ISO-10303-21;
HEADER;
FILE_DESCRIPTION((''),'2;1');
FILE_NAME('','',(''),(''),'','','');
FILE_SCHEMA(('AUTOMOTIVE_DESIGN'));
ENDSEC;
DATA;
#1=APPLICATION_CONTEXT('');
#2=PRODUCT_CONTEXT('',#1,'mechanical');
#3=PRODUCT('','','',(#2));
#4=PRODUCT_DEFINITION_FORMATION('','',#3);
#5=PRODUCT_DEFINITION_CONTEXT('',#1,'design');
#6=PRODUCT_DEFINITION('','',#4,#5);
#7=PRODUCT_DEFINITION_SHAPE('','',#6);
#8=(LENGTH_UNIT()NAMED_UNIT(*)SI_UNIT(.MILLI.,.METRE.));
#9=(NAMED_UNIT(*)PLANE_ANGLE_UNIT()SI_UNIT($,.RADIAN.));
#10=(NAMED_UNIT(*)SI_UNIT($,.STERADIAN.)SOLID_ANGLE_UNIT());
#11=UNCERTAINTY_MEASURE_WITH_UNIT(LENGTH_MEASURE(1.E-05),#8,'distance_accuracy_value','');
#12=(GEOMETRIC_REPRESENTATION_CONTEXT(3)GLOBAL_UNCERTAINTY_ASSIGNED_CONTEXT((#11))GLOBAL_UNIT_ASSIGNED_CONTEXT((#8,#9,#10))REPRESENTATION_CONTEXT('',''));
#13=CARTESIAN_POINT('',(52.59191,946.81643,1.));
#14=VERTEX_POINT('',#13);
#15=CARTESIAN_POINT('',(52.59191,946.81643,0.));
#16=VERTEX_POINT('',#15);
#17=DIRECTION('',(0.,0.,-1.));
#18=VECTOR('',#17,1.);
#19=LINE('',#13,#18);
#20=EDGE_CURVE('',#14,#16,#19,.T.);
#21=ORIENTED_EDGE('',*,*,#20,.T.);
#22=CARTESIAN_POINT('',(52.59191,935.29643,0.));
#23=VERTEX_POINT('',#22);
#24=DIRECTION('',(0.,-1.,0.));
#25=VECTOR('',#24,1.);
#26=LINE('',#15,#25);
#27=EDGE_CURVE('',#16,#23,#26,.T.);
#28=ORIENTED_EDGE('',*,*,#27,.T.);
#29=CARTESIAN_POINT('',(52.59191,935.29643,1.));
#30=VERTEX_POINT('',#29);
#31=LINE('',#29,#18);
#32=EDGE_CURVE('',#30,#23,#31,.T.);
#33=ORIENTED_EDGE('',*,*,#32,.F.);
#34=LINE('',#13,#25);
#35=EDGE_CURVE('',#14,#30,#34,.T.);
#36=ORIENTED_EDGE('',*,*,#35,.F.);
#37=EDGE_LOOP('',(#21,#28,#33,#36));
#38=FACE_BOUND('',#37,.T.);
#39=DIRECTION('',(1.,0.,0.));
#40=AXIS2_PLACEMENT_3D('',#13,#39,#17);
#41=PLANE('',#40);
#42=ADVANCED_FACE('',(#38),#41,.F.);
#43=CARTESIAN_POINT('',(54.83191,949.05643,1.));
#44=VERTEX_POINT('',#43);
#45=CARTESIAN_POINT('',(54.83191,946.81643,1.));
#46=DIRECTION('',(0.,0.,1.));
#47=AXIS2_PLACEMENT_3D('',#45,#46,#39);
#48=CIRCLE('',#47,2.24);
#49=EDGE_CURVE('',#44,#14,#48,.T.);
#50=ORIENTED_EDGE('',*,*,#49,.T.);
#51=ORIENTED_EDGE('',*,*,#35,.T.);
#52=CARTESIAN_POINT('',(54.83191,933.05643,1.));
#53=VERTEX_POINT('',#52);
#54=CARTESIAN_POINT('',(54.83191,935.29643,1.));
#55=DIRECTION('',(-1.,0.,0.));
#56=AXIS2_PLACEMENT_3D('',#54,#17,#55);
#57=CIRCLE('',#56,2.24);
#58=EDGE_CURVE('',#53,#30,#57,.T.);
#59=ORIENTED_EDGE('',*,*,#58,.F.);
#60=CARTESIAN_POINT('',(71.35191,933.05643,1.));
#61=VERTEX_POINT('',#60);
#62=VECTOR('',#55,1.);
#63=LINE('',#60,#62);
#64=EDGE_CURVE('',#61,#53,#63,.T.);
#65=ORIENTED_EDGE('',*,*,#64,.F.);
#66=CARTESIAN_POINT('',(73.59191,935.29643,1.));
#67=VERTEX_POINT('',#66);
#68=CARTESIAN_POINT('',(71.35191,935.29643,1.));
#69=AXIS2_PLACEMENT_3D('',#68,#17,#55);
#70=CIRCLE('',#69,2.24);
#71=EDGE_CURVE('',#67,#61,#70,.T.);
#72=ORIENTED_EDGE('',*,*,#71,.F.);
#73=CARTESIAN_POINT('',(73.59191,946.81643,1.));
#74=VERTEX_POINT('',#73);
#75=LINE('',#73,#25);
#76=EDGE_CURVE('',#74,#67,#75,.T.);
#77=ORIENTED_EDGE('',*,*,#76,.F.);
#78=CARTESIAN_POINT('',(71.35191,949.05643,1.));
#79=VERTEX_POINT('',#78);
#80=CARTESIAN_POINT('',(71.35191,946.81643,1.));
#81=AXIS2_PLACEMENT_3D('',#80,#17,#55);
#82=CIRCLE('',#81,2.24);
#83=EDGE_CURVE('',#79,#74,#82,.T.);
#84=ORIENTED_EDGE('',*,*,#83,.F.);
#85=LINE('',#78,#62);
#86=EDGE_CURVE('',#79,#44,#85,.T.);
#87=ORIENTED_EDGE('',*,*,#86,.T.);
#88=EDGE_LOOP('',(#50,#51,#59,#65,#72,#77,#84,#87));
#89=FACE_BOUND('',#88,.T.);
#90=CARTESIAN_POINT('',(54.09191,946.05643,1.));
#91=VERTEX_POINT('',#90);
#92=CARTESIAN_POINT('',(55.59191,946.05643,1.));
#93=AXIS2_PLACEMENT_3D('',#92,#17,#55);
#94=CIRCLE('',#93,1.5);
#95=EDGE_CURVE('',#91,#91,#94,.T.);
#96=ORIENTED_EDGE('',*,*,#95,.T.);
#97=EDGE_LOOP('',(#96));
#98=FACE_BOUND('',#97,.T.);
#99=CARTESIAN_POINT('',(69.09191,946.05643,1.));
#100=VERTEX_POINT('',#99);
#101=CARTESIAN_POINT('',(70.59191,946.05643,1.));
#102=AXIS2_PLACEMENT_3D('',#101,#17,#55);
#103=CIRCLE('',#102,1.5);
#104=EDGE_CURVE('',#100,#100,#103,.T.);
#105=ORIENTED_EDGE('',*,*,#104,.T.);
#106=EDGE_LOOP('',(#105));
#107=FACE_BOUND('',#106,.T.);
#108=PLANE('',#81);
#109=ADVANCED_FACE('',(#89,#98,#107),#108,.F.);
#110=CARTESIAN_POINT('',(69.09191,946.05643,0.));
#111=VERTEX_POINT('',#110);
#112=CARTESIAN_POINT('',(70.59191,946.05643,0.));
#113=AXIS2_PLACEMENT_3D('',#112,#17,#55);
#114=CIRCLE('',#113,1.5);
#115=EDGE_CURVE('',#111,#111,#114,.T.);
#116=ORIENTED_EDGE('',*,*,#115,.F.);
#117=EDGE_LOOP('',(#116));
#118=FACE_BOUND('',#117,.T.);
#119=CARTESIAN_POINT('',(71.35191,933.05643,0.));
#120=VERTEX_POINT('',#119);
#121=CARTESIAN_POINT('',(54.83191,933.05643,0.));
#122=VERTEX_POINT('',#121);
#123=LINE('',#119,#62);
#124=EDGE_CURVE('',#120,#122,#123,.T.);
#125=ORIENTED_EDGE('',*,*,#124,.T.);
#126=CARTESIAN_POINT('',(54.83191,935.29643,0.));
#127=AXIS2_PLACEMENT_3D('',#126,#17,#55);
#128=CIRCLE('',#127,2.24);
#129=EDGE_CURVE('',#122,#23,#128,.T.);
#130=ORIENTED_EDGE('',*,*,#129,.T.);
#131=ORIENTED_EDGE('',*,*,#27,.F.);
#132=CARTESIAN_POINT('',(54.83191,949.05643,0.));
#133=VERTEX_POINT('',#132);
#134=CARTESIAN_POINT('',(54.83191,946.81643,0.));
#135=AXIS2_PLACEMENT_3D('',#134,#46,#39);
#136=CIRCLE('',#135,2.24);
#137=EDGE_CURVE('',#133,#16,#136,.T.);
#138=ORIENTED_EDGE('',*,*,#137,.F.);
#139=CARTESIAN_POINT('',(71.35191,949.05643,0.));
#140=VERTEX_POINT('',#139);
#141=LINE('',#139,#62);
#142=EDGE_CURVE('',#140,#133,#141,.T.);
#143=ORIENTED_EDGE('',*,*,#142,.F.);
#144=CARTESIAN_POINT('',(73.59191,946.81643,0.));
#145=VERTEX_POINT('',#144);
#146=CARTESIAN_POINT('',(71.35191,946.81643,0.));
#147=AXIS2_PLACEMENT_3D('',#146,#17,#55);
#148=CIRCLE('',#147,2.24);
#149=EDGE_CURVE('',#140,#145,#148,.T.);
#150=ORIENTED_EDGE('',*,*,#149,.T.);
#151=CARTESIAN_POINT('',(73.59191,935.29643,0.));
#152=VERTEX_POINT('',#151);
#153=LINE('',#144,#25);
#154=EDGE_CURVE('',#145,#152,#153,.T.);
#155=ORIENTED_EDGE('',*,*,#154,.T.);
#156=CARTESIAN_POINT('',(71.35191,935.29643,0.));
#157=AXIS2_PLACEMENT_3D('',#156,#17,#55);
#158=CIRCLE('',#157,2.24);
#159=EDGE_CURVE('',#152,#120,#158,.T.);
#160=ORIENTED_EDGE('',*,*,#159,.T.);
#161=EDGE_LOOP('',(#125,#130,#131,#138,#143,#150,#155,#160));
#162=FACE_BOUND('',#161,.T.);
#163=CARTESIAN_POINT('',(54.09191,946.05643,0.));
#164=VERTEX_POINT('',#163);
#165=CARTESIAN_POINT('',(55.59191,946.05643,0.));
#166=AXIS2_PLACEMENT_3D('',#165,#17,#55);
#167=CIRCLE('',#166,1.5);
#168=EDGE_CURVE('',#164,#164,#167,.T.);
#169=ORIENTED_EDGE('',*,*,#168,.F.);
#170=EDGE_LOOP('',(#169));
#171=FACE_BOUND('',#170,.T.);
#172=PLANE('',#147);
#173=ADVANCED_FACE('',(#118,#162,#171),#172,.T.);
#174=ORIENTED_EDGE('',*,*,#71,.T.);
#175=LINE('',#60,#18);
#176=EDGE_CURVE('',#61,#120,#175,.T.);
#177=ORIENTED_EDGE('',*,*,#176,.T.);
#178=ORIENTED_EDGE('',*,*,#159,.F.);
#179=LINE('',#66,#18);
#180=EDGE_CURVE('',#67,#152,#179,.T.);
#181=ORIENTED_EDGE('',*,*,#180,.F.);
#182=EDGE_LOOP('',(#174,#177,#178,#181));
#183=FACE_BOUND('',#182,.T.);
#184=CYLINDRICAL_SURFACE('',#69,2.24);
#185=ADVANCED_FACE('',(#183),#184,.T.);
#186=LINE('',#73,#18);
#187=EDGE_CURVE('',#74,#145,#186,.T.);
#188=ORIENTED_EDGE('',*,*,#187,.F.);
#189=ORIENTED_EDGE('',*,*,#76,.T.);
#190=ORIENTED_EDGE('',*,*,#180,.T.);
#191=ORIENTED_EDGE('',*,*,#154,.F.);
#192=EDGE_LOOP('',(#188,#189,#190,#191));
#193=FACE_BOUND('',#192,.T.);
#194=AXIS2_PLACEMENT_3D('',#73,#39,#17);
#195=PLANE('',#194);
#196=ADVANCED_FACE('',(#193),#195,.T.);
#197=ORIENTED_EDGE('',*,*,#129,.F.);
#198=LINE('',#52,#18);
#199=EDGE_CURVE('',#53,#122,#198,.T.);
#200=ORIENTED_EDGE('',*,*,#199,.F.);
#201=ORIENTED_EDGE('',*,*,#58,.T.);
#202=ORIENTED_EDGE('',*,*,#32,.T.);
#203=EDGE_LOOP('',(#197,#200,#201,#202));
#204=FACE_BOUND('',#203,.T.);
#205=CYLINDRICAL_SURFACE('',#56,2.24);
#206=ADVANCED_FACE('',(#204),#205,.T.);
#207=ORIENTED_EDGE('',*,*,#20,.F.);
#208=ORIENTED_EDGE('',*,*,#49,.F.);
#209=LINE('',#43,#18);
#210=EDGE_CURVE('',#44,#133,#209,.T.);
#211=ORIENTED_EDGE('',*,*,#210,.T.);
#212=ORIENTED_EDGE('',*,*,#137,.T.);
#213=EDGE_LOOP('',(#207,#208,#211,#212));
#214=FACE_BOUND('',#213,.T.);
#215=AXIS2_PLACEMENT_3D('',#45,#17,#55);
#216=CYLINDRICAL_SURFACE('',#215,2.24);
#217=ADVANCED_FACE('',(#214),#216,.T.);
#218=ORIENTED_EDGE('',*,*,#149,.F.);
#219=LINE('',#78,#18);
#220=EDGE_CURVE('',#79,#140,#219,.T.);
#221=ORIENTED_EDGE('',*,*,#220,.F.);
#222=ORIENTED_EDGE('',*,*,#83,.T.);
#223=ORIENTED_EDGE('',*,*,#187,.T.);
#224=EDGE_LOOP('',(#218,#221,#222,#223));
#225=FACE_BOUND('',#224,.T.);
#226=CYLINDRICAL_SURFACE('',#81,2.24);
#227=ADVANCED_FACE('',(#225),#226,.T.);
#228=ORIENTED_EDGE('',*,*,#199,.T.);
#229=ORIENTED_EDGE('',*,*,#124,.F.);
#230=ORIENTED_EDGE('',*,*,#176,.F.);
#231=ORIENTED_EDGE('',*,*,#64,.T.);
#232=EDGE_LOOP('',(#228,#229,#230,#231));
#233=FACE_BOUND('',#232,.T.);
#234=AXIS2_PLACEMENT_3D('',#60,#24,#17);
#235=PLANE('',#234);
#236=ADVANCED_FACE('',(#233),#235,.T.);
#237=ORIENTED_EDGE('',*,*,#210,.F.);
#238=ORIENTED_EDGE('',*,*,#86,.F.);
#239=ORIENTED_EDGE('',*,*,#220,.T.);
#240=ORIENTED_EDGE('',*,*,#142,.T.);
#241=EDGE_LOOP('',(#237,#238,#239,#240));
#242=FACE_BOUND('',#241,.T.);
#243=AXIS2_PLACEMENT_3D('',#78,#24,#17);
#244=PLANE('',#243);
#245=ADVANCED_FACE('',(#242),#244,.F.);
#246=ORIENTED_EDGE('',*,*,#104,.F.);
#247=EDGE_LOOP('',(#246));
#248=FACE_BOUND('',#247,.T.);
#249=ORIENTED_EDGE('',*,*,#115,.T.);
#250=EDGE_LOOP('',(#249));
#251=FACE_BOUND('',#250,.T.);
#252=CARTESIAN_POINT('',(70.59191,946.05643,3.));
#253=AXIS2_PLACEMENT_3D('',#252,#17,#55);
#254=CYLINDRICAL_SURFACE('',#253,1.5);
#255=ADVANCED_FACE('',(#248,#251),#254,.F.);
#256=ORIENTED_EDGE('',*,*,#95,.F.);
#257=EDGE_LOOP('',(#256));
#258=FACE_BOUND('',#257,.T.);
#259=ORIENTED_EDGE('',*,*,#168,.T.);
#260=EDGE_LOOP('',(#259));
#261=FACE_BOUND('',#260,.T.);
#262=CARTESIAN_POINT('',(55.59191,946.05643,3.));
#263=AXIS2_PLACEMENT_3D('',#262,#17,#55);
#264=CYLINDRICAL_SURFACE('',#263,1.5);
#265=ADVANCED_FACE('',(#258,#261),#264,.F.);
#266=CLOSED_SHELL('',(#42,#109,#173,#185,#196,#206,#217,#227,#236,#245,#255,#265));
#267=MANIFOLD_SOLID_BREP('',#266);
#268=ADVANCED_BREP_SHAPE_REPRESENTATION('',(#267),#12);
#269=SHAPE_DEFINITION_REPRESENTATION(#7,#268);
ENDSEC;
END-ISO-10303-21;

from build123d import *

# Parameters (mm, degrees)
RESSALTO_EXTRUS_O2_DEPTH = 1
ESBO_O7_R                = 1.5
CORTE_EXTRUS_O4_DEPTH    = 3


with BuildPart() as part:
    # Esboço6 → Ressalto-extrusão2 (new body)
    with BuildSketch(Plane.XY):
        with BuildLine():
            Line((71.351910343, 949.056430092), (54.831910343, 949.056430092))
            ThreePointArc((54.831910343, 949.056430092), (53.247991153, 948.400349282), (52.591910343, 946.816430092))
            Line((52.591910343, 946.816430092), (52.591910343, 935.296430092))
            ThreePointArc((52.591910343, 935.296430092), (53.247991153, 933.712510902), (54.831910343, 933.056430092))
            Line((54.831910343, 933.056430092), (71.351910343, 933.056430092))
            ThreePointArc((71.351910343, 933.056430092), (72.935829533, 933.712510902), (73.591910343, 935.296430092))
            Line((73.591910343, 935.296430092), (73.591910343, 946.816430092))
            ThreePointArc((73.591910343, 946.816430092), (72.935829533, 948.400349282), (71.351910343, 949.056430092))
        make_face()
    extrude(amount=RESSALTO_EXTRUS_O2_DEPTH)

    # Esboço7 → Corte-extrusão4 (cut)
    with BuildSketch(Plane(origin=(0, 0, 0), x_dir=(-1, 0, 0), z_dir=(0, 0, -1))):
        with Locations((-55.591910343, 946.056430092)):
            Circle(ESBO_O7_R)
        with Locations((-70.591910343, 946.056430092)):
            Circle(ESBO_O7_R)
    extrude(amount=-CORTE_EXTRUS_O4_DEPTH, mode=Mode.SUBTRACT)


solid = part.part
